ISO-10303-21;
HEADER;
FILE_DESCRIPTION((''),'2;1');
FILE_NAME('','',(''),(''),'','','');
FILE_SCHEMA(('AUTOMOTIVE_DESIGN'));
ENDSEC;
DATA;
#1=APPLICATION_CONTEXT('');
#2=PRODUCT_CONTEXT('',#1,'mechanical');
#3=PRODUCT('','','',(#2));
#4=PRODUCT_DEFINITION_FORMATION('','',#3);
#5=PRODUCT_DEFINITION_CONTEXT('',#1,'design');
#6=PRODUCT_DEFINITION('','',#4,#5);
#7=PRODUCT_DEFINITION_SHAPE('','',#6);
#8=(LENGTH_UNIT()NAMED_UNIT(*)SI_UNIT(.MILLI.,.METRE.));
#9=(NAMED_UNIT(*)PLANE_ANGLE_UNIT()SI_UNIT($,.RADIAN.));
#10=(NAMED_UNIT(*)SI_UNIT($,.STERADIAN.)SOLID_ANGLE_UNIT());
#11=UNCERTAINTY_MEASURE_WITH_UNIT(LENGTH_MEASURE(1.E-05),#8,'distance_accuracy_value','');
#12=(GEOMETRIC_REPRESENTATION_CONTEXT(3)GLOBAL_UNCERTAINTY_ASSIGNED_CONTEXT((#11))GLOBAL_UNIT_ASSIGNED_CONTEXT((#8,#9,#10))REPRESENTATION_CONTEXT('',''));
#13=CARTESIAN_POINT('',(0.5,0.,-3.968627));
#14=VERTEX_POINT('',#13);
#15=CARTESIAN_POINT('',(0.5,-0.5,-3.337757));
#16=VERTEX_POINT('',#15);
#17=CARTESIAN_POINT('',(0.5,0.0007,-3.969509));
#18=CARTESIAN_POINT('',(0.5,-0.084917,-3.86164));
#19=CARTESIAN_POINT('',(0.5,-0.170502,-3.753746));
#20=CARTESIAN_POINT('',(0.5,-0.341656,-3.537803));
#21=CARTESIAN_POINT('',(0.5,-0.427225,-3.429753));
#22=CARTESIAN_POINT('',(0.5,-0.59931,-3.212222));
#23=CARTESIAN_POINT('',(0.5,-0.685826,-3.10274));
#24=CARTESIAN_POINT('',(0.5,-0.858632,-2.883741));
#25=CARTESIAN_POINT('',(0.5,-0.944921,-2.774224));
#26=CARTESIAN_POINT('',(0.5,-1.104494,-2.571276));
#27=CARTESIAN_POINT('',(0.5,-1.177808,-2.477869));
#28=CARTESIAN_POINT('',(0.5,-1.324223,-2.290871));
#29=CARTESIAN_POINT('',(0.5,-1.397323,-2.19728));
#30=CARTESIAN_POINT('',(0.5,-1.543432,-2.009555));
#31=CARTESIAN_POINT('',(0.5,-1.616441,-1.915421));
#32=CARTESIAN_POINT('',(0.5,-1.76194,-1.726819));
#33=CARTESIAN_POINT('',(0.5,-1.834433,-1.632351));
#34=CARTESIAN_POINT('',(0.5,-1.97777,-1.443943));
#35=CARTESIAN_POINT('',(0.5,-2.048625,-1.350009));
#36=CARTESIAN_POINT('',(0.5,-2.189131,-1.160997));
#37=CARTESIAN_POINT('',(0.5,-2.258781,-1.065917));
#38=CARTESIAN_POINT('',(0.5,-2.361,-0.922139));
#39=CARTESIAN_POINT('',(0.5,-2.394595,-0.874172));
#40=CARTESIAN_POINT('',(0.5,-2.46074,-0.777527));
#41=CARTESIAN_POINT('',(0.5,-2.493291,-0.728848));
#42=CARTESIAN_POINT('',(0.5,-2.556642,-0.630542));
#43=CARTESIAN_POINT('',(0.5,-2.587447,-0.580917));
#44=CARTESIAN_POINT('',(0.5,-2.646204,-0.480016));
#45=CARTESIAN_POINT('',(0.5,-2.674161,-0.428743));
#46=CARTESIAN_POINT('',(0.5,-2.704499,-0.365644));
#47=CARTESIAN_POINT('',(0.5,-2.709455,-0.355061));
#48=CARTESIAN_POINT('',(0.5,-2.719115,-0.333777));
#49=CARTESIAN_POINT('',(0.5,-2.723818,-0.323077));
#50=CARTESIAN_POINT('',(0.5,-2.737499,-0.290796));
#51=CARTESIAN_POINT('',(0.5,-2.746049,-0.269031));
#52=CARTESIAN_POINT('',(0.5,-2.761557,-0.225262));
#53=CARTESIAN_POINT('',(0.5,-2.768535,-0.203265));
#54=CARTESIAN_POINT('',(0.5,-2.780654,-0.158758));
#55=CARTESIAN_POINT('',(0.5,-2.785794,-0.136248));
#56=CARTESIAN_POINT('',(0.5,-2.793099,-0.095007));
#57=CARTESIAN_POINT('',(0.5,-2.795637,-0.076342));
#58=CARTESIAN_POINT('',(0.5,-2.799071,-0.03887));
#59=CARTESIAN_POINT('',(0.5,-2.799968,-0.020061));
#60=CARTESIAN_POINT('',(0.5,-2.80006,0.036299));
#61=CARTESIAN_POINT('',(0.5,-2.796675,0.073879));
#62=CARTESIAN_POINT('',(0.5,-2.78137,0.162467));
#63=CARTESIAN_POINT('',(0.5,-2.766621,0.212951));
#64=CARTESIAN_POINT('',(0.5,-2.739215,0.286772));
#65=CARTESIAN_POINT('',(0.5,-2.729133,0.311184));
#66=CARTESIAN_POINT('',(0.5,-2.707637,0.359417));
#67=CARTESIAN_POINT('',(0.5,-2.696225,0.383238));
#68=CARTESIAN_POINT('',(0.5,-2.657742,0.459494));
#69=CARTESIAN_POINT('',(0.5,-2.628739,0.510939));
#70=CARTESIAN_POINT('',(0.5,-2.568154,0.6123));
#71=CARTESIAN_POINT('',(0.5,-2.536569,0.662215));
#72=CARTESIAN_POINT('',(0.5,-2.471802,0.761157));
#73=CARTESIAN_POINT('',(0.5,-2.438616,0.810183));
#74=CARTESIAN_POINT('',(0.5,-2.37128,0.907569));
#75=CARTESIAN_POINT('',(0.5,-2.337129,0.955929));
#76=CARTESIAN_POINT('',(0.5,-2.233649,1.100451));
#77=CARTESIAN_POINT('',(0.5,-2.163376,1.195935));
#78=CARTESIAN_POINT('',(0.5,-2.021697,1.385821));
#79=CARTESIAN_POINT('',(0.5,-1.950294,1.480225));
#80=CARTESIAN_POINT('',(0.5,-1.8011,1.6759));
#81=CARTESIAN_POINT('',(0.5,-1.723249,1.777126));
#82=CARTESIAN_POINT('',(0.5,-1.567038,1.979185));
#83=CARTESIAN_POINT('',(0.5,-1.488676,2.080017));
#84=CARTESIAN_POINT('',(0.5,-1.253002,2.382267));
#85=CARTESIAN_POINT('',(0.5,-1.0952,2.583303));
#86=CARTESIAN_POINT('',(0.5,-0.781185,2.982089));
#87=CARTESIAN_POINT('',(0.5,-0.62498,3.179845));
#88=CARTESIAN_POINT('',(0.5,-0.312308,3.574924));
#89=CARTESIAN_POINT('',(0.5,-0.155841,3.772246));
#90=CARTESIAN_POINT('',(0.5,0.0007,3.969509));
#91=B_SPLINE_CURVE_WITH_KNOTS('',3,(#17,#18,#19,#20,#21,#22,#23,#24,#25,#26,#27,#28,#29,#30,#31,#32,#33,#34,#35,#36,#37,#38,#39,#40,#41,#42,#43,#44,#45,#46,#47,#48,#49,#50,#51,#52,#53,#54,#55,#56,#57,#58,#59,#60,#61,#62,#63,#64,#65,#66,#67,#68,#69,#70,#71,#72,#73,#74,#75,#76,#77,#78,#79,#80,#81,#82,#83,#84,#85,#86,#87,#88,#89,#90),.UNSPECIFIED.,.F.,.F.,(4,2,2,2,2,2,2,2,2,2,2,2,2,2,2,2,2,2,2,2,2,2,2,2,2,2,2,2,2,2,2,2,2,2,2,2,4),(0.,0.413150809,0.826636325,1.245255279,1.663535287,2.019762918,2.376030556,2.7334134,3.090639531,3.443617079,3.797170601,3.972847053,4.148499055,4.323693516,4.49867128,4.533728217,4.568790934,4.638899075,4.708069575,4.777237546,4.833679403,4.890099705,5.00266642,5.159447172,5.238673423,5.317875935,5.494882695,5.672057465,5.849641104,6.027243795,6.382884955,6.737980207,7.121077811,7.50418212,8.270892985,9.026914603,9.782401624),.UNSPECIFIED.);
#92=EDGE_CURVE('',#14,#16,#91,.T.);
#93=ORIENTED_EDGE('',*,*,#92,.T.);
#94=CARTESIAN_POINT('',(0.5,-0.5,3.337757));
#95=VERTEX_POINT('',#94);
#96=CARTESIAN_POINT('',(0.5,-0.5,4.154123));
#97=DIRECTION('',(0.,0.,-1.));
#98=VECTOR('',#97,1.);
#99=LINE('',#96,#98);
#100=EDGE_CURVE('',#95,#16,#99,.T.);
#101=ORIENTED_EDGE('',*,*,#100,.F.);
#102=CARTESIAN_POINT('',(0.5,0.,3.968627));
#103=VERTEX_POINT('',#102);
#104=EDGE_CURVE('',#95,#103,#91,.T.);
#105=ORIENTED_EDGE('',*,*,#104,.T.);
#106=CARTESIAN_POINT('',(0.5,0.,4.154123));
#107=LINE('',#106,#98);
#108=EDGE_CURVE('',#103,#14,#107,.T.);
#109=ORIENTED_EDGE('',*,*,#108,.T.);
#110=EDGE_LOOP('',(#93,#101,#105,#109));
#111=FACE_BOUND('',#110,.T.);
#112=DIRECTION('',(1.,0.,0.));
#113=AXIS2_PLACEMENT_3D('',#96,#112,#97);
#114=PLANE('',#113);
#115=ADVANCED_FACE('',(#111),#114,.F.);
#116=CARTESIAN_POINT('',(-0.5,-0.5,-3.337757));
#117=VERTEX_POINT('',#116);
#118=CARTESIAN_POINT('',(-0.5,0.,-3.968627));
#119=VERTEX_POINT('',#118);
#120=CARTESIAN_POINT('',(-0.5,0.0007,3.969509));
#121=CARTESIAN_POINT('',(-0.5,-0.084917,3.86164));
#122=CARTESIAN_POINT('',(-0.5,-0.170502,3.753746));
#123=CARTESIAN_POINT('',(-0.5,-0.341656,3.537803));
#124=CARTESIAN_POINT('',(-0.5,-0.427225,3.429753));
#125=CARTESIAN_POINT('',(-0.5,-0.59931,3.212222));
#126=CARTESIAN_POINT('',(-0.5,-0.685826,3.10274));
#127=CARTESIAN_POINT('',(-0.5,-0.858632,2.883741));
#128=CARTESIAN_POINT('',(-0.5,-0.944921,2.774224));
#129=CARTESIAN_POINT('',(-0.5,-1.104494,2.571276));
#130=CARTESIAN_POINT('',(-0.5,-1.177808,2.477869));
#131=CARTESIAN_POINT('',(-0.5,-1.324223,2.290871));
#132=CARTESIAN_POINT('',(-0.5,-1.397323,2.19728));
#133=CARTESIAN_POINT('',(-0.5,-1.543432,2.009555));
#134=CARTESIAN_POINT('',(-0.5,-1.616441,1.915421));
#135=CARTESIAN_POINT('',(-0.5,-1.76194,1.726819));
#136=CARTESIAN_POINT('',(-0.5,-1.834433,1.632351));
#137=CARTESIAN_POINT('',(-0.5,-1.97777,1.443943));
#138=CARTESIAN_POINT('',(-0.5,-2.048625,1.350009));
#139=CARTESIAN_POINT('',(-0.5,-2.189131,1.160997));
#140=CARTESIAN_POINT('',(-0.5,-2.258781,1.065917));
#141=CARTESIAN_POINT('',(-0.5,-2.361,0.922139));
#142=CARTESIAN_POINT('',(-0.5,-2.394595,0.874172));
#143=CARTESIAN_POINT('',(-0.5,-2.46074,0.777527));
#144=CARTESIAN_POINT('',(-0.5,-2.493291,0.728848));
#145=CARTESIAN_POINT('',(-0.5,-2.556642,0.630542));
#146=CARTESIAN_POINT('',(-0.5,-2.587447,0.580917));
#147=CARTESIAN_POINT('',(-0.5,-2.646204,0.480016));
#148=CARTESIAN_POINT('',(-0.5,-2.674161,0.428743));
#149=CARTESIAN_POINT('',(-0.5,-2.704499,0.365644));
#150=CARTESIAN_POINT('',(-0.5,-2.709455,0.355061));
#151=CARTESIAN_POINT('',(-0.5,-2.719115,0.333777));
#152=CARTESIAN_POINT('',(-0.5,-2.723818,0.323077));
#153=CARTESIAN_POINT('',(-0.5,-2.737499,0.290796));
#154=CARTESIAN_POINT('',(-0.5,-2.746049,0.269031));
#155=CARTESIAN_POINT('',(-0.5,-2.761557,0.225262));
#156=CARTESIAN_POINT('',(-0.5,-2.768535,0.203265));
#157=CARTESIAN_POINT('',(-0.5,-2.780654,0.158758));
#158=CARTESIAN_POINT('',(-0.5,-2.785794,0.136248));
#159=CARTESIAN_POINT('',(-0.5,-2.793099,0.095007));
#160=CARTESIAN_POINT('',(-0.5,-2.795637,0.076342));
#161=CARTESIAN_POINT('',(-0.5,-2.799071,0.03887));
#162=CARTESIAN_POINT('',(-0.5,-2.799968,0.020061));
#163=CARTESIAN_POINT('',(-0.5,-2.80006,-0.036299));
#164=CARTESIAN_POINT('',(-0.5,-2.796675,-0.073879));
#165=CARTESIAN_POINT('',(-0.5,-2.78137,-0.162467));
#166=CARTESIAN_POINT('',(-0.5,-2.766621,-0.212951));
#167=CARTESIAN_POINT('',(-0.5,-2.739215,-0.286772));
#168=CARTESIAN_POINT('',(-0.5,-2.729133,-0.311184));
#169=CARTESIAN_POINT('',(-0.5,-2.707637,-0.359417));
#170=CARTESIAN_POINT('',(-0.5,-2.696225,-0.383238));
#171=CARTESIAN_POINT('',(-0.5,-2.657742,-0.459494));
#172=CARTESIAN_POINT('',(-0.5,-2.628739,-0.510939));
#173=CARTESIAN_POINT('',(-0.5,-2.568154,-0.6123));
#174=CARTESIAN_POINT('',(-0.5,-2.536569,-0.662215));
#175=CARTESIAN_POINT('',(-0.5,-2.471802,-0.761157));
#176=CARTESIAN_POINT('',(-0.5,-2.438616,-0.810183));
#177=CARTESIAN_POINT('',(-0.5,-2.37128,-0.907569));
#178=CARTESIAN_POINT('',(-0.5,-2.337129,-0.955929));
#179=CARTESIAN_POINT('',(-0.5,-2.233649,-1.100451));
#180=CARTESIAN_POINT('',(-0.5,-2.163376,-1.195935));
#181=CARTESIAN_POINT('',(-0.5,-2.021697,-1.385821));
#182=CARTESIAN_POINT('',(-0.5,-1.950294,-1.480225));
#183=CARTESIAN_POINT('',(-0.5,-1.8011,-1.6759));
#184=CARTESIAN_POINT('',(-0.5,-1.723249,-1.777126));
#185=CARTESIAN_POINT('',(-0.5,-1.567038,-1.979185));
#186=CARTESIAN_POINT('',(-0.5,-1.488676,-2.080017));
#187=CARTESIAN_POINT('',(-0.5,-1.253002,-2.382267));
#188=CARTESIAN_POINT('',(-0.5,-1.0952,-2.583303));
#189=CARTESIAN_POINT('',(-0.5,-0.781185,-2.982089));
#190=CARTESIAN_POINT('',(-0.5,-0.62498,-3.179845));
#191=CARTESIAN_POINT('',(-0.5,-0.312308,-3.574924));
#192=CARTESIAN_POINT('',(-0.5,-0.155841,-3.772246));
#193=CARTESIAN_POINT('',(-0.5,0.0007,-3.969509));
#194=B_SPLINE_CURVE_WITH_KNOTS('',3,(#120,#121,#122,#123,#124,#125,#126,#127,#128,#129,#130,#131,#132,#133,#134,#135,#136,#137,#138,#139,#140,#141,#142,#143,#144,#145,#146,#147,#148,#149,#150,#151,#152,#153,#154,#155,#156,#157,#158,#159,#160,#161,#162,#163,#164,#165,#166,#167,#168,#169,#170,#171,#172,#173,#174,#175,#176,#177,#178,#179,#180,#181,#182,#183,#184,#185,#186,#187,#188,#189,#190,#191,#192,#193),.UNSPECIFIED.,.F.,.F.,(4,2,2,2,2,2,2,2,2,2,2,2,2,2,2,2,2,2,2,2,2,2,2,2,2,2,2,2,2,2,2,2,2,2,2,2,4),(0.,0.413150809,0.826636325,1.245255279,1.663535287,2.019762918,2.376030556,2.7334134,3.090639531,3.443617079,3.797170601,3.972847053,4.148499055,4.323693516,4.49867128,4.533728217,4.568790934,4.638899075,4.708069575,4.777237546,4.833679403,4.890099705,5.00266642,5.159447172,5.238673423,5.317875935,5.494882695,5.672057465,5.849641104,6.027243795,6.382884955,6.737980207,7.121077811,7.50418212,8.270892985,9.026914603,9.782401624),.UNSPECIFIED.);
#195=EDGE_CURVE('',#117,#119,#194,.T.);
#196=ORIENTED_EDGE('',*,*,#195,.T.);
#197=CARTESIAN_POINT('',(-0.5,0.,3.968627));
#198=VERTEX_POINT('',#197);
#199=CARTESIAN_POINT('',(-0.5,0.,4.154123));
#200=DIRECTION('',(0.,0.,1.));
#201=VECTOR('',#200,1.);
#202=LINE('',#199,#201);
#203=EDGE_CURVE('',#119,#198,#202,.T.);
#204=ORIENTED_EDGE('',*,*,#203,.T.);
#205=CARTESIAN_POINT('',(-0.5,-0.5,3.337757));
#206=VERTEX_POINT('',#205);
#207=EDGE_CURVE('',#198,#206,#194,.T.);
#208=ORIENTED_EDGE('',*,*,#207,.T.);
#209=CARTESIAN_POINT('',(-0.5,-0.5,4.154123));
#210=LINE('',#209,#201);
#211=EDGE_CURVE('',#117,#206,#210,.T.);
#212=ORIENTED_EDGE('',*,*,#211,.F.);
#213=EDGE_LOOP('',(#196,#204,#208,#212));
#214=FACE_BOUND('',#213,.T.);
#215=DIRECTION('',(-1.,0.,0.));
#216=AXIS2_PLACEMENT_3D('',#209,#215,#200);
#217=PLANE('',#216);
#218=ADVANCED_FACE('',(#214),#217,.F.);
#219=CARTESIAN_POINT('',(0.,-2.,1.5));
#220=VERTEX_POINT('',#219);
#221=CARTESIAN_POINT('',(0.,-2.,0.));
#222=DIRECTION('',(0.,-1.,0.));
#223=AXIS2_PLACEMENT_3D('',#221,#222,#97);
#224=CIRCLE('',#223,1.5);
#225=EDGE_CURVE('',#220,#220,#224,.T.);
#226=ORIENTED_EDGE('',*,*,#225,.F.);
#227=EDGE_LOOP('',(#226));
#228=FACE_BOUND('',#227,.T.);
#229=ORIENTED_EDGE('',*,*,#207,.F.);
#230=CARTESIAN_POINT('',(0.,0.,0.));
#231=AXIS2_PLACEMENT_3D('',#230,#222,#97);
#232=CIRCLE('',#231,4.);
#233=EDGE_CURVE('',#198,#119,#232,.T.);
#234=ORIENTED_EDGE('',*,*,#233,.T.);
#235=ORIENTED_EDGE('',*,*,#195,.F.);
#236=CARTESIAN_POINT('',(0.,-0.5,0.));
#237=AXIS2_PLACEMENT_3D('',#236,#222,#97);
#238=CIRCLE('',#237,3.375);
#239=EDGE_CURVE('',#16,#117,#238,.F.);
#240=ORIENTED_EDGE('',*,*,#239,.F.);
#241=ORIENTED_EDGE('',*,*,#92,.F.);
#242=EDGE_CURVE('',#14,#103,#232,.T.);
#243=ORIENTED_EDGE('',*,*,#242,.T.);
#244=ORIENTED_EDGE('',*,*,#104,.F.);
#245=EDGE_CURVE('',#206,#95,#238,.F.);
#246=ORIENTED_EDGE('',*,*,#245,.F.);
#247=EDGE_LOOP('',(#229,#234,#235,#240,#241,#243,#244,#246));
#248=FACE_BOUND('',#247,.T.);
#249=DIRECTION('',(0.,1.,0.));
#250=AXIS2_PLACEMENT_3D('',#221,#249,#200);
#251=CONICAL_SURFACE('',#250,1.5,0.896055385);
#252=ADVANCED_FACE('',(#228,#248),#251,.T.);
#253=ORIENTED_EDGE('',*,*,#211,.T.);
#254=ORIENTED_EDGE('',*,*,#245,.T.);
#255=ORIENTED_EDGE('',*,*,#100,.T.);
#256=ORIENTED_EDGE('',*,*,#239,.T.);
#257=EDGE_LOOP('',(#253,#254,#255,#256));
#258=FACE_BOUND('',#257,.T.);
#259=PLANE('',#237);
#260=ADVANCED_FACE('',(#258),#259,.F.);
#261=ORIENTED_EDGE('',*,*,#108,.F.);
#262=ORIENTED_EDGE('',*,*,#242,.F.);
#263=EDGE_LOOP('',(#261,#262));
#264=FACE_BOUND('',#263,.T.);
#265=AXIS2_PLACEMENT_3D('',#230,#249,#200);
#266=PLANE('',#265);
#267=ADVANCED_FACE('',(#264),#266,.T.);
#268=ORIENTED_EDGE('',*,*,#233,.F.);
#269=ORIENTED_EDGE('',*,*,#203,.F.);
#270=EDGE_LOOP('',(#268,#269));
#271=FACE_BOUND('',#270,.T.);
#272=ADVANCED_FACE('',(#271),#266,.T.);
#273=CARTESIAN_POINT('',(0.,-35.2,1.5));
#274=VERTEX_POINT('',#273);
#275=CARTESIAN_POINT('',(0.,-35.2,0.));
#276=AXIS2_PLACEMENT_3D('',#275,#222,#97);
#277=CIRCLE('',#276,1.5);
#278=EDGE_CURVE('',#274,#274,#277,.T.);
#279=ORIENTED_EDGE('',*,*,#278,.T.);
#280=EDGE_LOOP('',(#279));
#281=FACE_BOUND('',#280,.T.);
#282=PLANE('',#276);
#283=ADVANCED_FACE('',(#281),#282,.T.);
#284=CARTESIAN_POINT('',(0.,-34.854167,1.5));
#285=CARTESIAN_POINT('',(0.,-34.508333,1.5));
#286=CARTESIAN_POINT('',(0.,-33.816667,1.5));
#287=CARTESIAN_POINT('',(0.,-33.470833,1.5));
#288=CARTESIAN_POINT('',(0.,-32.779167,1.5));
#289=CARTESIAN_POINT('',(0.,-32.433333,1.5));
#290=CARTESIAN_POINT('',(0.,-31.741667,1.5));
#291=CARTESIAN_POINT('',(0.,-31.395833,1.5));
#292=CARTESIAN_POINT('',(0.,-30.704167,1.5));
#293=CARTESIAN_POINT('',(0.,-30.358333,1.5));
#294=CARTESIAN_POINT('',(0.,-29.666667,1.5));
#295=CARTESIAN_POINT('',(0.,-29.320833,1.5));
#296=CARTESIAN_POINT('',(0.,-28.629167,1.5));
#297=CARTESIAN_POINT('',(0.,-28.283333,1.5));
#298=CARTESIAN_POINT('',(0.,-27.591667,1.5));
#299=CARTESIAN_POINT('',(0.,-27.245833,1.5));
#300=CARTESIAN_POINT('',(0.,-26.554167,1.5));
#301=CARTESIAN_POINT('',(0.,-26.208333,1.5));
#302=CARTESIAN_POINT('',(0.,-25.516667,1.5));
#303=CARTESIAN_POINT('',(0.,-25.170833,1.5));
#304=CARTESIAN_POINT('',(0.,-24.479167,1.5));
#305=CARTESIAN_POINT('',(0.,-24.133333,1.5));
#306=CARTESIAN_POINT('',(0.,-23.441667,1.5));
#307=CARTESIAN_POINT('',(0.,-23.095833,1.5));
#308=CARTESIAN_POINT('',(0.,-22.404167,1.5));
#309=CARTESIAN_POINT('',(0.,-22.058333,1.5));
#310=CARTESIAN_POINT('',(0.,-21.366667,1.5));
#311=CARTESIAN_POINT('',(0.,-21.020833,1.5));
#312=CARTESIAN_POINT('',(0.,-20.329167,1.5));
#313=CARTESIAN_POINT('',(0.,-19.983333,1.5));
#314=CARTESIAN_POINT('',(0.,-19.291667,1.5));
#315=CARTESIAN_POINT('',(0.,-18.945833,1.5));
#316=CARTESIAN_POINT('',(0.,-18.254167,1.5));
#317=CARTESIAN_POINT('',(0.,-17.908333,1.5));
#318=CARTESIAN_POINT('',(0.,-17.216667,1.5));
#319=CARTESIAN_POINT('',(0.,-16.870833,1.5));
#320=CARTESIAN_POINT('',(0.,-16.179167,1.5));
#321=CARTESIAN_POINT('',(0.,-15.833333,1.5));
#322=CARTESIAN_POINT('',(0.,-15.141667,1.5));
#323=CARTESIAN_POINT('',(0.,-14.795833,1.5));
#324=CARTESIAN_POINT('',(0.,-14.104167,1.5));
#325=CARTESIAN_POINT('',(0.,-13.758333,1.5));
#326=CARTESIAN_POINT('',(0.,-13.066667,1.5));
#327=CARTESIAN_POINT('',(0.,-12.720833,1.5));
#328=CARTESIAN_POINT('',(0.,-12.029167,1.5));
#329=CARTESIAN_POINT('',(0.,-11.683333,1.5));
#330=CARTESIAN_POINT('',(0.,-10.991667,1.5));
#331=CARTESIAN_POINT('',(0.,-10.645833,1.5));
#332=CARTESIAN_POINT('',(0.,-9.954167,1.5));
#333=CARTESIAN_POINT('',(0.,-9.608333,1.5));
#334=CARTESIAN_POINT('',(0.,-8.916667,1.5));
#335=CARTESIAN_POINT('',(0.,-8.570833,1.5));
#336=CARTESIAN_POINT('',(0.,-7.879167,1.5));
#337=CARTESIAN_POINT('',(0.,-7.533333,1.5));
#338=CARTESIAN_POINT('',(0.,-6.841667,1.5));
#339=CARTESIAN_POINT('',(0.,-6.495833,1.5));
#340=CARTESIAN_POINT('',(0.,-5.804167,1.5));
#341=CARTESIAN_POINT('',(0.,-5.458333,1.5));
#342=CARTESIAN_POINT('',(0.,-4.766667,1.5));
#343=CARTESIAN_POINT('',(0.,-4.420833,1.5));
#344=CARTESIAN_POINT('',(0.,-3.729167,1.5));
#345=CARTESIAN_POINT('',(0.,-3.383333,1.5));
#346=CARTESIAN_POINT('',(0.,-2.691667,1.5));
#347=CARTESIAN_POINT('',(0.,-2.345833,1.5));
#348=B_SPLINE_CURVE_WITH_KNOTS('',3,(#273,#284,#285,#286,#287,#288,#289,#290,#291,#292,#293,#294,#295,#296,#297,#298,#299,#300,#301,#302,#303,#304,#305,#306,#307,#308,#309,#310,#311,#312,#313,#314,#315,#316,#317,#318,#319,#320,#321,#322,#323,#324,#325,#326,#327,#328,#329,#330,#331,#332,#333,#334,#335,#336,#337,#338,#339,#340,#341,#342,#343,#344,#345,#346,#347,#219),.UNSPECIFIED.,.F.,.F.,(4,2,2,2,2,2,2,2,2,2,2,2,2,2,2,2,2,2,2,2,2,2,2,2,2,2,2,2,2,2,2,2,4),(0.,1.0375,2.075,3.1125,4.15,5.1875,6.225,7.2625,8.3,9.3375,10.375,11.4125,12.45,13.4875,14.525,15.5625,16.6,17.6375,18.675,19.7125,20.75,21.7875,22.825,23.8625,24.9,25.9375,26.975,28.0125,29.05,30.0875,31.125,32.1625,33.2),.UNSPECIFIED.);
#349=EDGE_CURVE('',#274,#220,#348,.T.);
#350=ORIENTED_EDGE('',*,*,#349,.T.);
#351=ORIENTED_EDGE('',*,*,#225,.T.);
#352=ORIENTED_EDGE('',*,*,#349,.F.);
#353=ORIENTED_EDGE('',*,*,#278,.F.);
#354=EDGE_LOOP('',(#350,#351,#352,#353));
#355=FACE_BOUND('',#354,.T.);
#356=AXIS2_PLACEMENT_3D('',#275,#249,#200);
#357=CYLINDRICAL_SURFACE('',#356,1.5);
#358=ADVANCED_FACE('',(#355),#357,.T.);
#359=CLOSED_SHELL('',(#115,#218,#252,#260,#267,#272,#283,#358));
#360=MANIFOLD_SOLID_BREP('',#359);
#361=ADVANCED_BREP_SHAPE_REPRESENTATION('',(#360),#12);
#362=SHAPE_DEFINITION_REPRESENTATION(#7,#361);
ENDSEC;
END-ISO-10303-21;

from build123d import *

# Parameters (mm, degrees)
SKETCH7_W           = 1
SKETCH7_H           = 8.308245604
CUT_EXTRUDE3_DEPTH  = 0.5
SKETCH8_R           = 1.5
BOSS_EXTRUDE3_DEPTH = 33.2


with BuildPart() as part:
    # Sketch6 → Revolve1 (revolve)
    with BuildSketch(Plane.XY, mode=Mode.PRIVATE) as revolve1_sk:
        Polygon((0, 0), (4, 0), (1.5, -2), (0, -2), align=None)
    revolve(revolve1_sk.sketch.rotate(Axis((0, 0, 0), (0, 1, 0)), 90), axis=Axis((0, 0, 0), (0, 1, 0)))

    # Sketch7 → Cut-Extrude3 (cut)
    with BuildSketch(Plane(origin=(0, 0, 0), x_dir=(1, 0, 0), z_dir=(0, 1, 0))):
        Rectangle(SKETCH7_W, SKETCH7_H)
    extrude(amount=-CUT_EXTRUDE3_DEPTH, mode=Mode.SUBTRACT)

    # Sketch8 → Boss-Extrude3 (add)
    with BuildSketch(Plane.XZ.offset(2)):
        with Locations(Location((0, 0, 0), (0, 0, 90))):
            Circle(SKETCH8_R)
    extrude(amount=BOSS_EXTRUDE3_DEPTH)


solid = part.part
